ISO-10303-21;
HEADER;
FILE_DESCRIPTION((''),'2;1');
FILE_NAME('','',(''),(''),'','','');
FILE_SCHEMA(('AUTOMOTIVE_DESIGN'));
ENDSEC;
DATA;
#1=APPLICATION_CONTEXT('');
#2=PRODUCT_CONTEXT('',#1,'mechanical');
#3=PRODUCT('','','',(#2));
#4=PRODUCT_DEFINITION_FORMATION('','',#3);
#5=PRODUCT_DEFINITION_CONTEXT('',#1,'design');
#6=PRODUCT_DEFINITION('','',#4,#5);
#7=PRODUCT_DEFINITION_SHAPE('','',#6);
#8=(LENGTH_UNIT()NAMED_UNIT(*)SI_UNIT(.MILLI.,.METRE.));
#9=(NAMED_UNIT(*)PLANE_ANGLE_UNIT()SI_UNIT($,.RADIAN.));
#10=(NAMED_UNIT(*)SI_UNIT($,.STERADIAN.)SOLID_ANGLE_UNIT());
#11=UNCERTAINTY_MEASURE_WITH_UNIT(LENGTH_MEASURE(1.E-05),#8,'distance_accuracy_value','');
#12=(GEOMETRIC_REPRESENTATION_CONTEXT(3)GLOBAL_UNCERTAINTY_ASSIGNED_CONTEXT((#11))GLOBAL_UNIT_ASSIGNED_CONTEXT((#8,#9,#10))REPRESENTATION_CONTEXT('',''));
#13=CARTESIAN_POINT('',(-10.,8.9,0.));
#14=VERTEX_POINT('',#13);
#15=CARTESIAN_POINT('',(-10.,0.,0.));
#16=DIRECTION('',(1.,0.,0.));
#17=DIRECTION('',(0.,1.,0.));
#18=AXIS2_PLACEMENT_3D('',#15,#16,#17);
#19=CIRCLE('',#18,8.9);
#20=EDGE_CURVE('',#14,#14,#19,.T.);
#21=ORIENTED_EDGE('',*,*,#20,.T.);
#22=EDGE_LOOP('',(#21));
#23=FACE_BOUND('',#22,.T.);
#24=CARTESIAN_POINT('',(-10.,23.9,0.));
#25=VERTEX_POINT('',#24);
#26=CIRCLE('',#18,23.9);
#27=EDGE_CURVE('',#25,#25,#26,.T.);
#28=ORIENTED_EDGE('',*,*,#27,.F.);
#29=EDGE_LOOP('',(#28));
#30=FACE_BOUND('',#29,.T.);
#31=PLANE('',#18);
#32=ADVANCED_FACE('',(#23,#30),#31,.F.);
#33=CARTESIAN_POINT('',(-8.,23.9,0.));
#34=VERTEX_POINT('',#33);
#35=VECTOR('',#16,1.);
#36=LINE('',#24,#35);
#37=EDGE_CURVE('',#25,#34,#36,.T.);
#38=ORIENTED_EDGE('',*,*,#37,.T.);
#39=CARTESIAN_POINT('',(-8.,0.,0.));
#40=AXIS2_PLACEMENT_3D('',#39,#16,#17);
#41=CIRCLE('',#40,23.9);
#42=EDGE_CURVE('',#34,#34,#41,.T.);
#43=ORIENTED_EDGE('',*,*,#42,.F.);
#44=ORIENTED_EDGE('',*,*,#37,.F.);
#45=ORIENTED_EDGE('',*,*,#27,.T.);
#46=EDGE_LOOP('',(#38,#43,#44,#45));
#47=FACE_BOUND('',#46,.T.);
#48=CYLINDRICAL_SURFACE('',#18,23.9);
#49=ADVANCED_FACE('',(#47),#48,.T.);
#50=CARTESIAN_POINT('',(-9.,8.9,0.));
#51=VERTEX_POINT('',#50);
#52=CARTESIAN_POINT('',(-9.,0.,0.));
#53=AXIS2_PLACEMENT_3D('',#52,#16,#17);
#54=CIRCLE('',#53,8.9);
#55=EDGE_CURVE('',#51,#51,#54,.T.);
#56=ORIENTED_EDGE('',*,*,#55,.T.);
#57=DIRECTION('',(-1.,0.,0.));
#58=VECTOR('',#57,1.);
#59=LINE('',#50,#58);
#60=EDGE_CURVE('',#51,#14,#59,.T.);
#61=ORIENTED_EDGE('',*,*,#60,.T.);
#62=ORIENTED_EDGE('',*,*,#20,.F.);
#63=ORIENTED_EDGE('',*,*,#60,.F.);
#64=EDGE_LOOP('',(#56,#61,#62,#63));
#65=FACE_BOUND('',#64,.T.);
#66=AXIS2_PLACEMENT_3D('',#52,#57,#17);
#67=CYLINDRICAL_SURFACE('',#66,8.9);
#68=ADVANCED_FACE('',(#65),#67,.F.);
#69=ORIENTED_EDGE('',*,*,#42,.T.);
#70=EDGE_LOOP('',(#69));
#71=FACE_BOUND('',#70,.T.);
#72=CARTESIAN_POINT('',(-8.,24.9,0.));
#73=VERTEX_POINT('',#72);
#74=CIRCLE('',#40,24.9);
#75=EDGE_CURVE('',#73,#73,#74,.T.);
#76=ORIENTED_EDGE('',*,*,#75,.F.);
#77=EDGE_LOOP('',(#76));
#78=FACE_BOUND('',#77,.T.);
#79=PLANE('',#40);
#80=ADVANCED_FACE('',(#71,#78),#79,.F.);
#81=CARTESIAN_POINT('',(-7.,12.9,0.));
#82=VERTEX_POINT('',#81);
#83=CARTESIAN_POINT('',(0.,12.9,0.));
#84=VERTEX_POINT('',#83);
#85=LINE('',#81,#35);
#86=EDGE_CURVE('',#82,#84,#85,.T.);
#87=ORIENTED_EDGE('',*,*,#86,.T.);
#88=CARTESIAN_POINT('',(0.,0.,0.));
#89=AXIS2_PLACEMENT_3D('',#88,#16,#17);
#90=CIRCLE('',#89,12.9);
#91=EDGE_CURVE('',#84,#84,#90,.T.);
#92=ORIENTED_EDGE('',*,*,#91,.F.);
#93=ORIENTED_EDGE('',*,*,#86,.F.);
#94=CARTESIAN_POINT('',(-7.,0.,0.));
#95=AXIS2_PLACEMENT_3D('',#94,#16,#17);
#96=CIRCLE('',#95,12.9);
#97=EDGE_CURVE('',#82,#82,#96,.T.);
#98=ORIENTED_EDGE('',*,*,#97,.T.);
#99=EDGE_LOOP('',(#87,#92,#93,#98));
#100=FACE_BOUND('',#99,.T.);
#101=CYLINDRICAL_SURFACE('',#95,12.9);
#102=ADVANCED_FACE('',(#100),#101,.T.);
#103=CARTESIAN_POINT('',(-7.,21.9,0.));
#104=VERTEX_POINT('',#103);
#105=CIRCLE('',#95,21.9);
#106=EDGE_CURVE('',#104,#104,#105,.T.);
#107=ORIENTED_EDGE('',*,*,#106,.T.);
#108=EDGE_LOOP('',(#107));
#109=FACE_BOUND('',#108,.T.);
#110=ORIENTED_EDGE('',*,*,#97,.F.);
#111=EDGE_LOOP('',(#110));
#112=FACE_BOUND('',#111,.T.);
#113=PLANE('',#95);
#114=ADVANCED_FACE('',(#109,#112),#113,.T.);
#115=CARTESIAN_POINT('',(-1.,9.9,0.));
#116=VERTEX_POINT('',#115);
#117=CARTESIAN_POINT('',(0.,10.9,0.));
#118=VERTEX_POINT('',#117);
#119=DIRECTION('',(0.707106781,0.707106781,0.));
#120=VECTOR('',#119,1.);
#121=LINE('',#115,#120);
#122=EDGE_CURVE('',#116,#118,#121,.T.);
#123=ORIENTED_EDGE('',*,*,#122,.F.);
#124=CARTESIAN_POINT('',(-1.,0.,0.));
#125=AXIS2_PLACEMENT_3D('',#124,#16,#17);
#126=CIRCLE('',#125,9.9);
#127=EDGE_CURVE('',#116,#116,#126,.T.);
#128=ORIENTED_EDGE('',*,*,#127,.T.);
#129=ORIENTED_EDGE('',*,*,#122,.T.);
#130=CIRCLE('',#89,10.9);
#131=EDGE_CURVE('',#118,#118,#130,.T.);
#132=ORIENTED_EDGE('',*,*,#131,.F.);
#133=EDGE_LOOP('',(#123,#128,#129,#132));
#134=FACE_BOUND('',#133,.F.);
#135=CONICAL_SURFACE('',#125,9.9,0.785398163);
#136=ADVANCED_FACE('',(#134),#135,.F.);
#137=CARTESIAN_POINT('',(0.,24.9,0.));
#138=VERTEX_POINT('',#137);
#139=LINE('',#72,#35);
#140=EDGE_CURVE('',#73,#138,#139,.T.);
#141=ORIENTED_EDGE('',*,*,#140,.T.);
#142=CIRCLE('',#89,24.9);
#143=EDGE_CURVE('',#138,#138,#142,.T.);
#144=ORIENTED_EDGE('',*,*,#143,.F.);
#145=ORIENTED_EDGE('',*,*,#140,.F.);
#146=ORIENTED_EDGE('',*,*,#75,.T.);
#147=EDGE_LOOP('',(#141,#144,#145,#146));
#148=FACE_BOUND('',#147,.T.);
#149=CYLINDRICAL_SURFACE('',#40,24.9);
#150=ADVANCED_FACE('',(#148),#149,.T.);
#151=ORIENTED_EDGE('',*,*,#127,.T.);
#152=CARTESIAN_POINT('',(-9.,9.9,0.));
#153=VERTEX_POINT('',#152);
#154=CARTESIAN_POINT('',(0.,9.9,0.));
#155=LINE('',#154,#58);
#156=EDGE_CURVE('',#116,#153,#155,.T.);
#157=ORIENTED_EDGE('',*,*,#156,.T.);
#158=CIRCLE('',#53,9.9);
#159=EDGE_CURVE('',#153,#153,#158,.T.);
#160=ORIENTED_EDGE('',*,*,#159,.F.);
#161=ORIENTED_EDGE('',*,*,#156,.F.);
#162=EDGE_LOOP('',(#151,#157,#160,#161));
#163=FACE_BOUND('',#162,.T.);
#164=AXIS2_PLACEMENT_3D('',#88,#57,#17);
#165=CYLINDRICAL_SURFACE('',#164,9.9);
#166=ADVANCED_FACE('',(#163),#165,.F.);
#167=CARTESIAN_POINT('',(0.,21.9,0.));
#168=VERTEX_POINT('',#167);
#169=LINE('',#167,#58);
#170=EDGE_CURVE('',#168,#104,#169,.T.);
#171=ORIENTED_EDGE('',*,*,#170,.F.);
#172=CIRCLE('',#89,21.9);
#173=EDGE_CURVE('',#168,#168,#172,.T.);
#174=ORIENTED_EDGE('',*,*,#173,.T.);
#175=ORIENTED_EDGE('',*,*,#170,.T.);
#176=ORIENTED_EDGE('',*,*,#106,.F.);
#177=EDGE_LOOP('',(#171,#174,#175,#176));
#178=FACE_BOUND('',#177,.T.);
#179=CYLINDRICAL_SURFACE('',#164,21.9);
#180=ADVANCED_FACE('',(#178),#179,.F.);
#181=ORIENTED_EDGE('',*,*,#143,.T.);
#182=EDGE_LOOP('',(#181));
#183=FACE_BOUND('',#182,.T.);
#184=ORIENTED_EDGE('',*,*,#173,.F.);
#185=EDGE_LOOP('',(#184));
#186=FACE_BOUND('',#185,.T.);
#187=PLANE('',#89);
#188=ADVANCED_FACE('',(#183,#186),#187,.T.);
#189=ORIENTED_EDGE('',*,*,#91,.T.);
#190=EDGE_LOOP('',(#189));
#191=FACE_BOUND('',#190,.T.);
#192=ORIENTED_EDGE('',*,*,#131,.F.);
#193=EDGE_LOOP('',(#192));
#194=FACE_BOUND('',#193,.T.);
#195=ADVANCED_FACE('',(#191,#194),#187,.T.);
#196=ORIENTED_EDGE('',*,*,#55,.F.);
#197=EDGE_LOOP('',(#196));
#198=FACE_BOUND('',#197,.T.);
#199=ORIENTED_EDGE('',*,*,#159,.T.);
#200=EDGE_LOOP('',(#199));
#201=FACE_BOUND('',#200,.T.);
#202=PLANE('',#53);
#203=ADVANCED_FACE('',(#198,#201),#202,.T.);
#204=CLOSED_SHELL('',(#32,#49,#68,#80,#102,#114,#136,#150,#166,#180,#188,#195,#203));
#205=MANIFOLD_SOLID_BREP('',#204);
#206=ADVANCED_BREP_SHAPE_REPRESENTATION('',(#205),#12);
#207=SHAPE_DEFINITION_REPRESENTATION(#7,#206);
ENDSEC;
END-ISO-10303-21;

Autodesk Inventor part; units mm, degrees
ref_plane "YZ Plane" through (0, 0, 0) normal (1, 0, 0) x (0, 1, 0)
ref_plane "XZ Plane" through (0, 0, 0) normal (0, 1, 0) x (-1, 0, 0)
ref_plane "XY Plane" through (0, 0, 0) normal (0, 0, 1) x (1, 0, 0)
sketch "Sketch1" plane through (0, 0, 0) normal (0, 0, 1) x (1, 0, 0)
  line L0 (-12, 0) -> (2, 0) construction
  line L1 (0, -4.98) -> (0, 29.88) construction
  line L2 (0, 9.9) -> (-9, 9.9)
  line L3 (-9, 9.9) -> (-9, 8.9)
  line L4 (-9, 8.9) -> (-10, 8.9)
  line L5 (-10, 8.9) -> (-10, 23.9)
  line L6 (-10, 23.9) -> (-8, 23.9)
  line L7 (-8, 23.9) -> (-8, 24.9)
  line L8 (-8, 24.9) -> (0, 24.9)
  line L9 (0, 21.9) -> (-7, 21.9)
  line L10 (-7, 21.9) -> (-7, 12.9)
  line L11 (-7, 12.9) -> (0, 12.9)
  line L12 (0, 24.9) -> (0, 21.9)
  line L13 (0, 12.9) -> (0, 9.9)
  point P0 (0, 0)
  dimension "d0" = 49.8
  dimension "d1" = 47.8
  dimension "d3" = 1
  dimension "d4" = 2
  dimension "d5" = 19.8
  dimension "d6" = 1
  dimension "d7" = 3
  dimension "d8" = 3
  dimension "d9" = 3
  dimension "d10" = 10
revolve "Revolution1" add sketch "Sketch1" angle 360 about axis through (-10, 0, 0) along (1, 0, 0)
chamfer "Chamfer1" distance 1 angle 45 1 edges at (0, -9.9, 0)
properties part number "P114PorteLentille20mm" material "ABS Plastic"
